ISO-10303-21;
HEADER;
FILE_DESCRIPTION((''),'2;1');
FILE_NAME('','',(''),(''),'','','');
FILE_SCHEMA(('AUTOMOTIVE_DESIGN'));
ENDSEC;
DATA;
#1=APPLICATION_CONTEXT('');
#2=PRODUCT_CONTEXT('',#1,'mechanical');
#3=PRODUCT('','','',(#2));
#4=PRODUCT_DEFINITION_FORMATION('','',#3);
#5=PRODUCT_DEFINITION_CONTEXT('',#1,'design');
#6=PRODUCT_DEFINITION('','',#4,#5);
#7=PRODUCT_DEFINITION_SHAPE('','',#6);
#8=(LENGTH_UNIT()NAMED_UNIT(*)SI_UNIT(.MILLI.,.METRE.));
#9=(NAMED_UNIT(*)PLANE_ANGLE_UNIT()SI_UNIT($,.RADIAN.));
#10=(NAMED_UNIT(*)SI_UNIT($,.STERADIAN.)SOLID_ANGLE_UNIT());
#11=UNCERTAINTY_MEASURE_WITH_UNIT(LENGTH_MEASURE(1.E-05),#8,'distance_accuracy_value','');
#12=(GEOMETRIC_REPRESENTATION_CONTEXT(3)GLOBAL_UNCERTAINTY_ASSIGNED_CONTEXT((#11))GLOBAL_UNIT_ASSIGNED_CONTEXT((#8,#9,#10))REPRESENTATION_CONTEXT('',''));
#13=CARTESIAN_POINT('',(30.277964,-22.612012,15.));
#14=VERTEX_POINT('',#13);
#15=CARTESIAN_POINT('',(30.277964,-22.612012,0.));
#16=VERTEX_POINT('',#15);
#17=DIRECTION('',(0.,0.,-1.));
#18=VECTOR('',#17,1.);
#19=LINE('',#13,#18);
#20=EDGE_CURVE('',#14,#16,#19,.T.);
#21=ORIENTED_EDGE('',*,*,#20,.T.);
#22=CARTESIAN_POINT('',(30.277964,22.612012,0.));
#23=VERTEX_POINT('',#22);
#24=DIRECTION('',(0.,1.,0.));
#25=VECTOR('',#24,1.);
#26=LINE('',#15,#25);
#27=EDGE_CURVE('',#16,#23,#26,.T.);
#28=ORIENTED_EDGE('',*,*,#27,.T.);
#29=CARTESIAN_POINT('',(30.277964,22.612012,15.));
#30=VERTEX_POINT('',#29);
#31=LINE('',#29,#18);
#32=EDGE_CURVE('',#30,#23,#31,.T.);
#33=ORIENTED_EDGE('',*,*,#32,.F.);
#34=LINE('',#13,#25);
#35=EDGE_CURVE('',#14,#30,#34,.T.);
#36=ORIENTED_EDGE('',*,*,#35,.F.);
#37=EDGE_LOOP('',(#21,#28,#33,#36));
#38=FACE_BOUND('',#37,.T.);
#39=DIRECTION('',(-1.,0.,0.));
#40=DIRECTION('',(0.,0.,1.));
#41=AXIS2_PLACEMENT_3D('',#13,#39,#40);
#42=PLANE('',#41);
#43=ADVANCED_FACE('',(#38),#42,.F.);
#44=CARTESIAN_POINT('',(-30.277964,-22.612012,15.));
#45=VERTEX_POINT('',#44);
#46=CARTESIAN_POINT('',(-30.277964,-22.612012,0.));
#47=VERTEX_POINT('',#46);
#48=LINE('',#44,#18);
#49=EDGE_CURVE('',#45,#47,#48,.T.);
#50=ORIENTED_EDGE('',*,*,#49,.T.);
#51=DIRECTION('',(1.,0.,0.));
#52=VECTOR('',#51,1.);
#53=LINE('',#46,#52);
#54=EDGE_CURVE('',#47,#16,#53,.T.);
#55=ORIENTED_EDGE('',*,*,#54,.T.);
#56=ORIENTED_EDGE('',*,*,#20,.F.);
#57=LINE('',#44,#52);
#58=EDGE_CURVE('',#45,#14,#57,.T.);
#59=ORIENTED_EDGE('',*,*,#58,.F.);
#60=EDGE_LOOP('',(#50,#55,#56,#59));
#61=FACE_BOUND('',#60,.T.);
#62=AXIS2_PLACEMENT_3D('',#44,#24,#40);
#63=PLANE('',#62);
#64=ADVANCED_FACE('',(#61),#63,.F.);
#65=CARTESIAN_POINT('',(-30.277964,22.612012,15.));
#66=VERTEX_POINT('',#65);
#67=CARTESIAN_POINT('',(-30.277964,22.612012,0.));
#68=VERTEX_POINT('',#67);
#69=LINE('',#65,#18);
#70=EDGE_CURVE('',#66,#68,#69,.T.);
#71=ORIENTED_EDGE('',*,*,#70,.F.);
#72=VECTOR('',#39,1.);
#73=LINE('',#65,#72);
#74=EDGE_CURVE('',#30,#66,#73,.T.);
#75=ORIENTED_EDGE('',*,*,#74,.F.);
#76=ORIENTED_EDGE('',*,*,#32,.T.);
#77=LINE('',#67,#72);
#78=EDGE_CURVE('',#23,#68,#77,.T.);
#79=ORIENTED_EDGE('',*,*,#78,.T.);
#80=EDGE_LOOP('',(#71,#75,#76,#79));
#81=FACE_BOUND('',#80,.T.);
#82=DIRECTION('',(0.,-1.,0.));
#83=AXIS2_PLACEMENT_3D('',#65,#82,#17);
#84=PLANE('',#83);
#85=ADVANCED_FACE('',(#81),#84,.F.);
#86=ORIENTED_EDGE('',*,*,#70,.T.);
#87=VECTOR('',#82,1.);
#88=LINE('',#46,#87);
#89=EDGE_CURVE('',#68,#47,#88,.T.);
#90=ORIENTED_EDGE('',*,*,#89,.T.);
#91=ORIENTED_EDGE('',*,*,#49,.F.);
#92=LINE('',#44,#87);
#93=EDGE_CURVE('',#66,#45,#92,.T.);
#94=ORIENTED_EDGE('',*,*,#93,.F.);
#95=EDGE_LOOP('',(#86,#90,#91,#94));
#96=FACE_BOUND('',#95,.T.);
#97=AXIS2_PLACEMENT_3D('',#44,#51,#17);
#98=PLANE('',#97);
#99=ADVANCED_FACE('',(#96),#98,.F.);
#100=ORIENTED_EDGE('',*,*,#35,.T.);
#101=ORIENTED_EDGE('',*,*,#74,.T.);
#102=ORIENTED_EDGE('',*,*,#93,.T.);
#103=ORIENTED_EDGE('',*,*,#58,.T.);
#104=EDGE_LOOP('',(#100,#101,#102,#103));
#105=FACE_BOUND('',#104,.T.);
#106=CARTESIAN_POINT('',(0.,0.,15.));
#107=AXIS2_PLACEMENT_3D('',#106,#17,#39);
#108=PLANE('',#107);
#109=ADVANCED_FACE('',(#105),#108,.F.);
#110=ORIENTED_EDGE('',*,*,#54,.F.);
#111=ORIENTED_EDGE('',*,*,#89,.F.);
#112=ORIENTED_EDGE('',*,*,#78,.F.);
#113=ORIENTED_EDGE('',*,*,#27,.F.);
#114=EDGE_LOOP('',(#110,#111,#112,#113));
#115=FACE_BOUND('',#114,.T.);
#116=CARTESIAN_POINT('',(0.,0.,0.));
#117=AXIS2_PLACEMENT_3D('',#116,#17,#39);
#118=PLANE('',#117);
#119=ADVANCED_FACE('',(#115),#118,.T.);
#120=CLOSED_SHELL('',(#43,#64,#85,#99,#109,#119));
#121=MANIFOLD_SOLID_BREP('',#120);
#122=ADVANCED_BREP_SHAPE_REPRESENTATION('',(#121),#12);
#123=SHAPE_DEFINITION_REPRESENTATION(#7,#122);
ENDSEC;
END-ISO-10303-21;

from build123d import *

# Parameters (mm, degrees)
ESQUISSE1_W        = 60.555927554
ESQUISSE1_H        = 45.224023668
BOSS_EXTRU_1_DEPTH = 15


with BuildPart() as part:
    # Esquisse1 → Boss.-Extru.1 (new body)
    with BuildSketch(Plane.XY):
        Rectangle(ESQUISSE1_W, ESQUISSE1_H)
    extrude(amount=BOSS_EXTRU_1_DEPTH)


solid = part.part
